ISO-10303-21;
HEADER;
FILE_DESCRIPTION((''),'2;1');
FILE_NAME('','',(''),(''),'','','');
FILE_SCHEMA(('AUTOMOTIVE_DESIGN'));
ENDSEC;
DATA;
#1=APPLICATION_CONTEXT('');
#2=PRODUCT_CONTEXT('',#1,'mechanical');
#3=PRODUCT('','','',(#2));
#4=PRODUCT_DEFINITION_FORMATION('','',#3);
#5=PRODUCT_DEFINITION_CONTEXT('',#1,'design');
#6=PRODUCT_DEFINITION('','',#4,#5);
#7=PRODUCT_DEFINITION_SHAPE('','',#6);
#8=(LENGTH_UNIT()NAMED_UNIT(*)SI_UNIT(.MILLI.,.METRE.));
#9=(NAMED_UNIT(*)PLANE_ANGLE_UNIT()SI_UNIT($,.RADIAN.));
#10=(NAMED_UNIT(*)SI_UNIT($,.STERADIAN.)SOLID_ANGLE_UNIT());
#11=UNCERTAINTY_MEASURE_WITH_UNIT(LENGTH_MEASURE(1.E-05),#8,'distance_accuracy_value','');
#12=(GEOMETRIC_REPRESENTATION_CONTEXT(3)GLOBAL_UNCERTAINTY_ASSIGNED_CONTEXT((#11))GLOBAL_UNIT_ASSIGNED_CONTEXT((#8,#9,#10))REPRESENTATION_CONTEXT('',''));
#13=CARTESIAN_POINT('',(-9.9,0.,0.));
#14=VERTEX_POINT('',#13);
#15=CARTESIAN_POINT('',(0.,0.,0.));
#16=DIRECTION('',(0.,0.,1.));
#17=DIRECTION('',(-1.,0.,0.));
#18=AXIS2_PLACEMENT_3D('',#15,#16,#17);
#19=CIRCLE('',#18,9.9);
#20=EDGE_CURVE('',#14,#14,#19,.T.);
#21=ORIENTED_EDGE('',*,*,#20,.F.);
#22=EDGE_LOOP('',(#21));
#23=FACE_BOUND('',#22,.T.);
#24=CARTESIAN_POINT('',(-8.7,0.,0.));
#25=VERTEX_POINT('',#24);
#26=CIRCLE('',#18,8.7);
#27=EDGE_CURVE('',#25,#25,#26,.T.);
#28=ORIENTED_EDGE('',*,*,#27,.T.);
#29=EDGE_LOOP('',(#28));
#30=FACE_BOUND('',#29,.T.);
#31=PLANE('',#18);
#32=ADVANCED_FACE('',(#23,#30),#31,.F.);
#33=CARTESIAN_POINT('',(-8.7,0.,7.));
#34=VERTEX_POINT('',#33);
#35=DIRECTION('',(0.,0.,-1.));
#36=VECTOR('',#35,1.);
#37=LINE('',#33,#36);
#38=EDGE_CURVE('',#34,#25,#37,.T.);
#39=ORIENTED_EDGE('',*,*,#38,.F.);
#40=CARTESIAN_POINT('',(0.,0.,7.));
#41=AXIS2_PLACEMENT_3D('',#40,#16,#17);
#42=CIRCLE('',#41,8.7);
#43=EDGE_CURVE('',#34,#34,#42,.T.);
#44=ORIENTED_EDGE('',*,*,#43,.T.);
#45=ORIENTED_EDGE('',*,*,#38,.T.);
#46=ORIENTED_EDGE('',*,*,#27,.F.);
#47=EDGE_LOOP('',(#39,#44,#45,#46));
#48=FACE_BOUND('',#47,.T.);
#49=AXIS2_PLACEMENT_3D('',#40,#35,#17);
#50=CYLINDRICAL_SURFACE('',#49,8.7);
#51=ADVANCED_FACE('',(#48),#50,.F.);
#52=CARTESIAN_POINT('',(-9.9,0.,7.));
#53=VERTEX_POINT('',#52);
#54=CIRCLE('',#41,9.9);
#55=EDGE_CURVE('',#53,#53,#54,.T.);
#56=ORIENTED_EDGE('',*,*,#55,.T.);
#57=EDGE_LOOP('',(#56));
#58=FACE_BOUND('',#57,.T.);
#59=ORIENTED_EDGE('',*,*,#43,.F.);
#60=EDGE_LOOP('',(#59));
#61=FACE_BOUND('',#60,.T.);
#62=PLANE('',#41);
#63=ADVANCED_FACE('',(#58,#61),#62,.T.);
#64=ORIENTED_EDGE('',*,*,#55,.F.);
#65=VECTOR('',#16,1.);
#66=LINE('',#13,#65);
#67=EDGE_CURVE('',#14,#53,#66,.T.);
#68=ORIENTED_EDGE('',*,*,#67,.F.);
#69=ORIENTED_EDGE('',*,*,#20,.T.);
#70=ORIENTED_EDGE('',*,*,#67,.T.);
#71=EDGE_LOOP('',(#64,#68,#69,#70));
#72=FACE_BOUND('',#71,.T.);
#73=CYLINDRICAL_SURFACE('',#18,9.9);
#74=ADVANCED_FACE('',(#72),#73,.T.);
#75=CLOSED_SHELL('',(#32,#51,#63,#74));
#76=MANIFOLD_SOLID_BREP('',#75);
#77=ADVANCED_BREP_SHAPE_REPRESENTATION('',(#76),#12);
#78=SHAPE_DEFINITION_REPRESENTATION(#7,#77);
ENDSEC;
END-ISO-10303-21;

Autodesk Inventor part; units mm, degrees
ref_plane "YZ Plane" through (0, 0, 0) normal (1, 0, 0) x (0, 1, 0)
ref_plane "XZ Plane" through (0, 0, 0) normal (0, 1, 0) x (-1, 0, 0)
ref_plane "XY Plane" through (0, 0, 0) normal (0, 0, 1) x (1, 0, 0)
sketch "Sketch1" plane through (0, 0, 0) normal (0, 1, 0) x (-1, 0, 0)
  line L0 (8.7, 0) -> (9.9, 0)
  line L1 (9.9, 0) -> (9.9, 7)
  line L2 (9.9, 7) -> (8.7, 7)
  line L3 (8.7, 7) -> (8.7, 0)
  line L4 (0, -1.4) -> (0, 8.4) projected
  point P0 (0, 0)
  dimension "d0" = 1.2
  dimension "d1" = 7
  dimension "d2" = 8.7
revolve "Revolution1" add sketch "Sketch1" angle 360 about axis through (0, 0, -10) along (0, 0, 1)
properties part number "base-ring"
